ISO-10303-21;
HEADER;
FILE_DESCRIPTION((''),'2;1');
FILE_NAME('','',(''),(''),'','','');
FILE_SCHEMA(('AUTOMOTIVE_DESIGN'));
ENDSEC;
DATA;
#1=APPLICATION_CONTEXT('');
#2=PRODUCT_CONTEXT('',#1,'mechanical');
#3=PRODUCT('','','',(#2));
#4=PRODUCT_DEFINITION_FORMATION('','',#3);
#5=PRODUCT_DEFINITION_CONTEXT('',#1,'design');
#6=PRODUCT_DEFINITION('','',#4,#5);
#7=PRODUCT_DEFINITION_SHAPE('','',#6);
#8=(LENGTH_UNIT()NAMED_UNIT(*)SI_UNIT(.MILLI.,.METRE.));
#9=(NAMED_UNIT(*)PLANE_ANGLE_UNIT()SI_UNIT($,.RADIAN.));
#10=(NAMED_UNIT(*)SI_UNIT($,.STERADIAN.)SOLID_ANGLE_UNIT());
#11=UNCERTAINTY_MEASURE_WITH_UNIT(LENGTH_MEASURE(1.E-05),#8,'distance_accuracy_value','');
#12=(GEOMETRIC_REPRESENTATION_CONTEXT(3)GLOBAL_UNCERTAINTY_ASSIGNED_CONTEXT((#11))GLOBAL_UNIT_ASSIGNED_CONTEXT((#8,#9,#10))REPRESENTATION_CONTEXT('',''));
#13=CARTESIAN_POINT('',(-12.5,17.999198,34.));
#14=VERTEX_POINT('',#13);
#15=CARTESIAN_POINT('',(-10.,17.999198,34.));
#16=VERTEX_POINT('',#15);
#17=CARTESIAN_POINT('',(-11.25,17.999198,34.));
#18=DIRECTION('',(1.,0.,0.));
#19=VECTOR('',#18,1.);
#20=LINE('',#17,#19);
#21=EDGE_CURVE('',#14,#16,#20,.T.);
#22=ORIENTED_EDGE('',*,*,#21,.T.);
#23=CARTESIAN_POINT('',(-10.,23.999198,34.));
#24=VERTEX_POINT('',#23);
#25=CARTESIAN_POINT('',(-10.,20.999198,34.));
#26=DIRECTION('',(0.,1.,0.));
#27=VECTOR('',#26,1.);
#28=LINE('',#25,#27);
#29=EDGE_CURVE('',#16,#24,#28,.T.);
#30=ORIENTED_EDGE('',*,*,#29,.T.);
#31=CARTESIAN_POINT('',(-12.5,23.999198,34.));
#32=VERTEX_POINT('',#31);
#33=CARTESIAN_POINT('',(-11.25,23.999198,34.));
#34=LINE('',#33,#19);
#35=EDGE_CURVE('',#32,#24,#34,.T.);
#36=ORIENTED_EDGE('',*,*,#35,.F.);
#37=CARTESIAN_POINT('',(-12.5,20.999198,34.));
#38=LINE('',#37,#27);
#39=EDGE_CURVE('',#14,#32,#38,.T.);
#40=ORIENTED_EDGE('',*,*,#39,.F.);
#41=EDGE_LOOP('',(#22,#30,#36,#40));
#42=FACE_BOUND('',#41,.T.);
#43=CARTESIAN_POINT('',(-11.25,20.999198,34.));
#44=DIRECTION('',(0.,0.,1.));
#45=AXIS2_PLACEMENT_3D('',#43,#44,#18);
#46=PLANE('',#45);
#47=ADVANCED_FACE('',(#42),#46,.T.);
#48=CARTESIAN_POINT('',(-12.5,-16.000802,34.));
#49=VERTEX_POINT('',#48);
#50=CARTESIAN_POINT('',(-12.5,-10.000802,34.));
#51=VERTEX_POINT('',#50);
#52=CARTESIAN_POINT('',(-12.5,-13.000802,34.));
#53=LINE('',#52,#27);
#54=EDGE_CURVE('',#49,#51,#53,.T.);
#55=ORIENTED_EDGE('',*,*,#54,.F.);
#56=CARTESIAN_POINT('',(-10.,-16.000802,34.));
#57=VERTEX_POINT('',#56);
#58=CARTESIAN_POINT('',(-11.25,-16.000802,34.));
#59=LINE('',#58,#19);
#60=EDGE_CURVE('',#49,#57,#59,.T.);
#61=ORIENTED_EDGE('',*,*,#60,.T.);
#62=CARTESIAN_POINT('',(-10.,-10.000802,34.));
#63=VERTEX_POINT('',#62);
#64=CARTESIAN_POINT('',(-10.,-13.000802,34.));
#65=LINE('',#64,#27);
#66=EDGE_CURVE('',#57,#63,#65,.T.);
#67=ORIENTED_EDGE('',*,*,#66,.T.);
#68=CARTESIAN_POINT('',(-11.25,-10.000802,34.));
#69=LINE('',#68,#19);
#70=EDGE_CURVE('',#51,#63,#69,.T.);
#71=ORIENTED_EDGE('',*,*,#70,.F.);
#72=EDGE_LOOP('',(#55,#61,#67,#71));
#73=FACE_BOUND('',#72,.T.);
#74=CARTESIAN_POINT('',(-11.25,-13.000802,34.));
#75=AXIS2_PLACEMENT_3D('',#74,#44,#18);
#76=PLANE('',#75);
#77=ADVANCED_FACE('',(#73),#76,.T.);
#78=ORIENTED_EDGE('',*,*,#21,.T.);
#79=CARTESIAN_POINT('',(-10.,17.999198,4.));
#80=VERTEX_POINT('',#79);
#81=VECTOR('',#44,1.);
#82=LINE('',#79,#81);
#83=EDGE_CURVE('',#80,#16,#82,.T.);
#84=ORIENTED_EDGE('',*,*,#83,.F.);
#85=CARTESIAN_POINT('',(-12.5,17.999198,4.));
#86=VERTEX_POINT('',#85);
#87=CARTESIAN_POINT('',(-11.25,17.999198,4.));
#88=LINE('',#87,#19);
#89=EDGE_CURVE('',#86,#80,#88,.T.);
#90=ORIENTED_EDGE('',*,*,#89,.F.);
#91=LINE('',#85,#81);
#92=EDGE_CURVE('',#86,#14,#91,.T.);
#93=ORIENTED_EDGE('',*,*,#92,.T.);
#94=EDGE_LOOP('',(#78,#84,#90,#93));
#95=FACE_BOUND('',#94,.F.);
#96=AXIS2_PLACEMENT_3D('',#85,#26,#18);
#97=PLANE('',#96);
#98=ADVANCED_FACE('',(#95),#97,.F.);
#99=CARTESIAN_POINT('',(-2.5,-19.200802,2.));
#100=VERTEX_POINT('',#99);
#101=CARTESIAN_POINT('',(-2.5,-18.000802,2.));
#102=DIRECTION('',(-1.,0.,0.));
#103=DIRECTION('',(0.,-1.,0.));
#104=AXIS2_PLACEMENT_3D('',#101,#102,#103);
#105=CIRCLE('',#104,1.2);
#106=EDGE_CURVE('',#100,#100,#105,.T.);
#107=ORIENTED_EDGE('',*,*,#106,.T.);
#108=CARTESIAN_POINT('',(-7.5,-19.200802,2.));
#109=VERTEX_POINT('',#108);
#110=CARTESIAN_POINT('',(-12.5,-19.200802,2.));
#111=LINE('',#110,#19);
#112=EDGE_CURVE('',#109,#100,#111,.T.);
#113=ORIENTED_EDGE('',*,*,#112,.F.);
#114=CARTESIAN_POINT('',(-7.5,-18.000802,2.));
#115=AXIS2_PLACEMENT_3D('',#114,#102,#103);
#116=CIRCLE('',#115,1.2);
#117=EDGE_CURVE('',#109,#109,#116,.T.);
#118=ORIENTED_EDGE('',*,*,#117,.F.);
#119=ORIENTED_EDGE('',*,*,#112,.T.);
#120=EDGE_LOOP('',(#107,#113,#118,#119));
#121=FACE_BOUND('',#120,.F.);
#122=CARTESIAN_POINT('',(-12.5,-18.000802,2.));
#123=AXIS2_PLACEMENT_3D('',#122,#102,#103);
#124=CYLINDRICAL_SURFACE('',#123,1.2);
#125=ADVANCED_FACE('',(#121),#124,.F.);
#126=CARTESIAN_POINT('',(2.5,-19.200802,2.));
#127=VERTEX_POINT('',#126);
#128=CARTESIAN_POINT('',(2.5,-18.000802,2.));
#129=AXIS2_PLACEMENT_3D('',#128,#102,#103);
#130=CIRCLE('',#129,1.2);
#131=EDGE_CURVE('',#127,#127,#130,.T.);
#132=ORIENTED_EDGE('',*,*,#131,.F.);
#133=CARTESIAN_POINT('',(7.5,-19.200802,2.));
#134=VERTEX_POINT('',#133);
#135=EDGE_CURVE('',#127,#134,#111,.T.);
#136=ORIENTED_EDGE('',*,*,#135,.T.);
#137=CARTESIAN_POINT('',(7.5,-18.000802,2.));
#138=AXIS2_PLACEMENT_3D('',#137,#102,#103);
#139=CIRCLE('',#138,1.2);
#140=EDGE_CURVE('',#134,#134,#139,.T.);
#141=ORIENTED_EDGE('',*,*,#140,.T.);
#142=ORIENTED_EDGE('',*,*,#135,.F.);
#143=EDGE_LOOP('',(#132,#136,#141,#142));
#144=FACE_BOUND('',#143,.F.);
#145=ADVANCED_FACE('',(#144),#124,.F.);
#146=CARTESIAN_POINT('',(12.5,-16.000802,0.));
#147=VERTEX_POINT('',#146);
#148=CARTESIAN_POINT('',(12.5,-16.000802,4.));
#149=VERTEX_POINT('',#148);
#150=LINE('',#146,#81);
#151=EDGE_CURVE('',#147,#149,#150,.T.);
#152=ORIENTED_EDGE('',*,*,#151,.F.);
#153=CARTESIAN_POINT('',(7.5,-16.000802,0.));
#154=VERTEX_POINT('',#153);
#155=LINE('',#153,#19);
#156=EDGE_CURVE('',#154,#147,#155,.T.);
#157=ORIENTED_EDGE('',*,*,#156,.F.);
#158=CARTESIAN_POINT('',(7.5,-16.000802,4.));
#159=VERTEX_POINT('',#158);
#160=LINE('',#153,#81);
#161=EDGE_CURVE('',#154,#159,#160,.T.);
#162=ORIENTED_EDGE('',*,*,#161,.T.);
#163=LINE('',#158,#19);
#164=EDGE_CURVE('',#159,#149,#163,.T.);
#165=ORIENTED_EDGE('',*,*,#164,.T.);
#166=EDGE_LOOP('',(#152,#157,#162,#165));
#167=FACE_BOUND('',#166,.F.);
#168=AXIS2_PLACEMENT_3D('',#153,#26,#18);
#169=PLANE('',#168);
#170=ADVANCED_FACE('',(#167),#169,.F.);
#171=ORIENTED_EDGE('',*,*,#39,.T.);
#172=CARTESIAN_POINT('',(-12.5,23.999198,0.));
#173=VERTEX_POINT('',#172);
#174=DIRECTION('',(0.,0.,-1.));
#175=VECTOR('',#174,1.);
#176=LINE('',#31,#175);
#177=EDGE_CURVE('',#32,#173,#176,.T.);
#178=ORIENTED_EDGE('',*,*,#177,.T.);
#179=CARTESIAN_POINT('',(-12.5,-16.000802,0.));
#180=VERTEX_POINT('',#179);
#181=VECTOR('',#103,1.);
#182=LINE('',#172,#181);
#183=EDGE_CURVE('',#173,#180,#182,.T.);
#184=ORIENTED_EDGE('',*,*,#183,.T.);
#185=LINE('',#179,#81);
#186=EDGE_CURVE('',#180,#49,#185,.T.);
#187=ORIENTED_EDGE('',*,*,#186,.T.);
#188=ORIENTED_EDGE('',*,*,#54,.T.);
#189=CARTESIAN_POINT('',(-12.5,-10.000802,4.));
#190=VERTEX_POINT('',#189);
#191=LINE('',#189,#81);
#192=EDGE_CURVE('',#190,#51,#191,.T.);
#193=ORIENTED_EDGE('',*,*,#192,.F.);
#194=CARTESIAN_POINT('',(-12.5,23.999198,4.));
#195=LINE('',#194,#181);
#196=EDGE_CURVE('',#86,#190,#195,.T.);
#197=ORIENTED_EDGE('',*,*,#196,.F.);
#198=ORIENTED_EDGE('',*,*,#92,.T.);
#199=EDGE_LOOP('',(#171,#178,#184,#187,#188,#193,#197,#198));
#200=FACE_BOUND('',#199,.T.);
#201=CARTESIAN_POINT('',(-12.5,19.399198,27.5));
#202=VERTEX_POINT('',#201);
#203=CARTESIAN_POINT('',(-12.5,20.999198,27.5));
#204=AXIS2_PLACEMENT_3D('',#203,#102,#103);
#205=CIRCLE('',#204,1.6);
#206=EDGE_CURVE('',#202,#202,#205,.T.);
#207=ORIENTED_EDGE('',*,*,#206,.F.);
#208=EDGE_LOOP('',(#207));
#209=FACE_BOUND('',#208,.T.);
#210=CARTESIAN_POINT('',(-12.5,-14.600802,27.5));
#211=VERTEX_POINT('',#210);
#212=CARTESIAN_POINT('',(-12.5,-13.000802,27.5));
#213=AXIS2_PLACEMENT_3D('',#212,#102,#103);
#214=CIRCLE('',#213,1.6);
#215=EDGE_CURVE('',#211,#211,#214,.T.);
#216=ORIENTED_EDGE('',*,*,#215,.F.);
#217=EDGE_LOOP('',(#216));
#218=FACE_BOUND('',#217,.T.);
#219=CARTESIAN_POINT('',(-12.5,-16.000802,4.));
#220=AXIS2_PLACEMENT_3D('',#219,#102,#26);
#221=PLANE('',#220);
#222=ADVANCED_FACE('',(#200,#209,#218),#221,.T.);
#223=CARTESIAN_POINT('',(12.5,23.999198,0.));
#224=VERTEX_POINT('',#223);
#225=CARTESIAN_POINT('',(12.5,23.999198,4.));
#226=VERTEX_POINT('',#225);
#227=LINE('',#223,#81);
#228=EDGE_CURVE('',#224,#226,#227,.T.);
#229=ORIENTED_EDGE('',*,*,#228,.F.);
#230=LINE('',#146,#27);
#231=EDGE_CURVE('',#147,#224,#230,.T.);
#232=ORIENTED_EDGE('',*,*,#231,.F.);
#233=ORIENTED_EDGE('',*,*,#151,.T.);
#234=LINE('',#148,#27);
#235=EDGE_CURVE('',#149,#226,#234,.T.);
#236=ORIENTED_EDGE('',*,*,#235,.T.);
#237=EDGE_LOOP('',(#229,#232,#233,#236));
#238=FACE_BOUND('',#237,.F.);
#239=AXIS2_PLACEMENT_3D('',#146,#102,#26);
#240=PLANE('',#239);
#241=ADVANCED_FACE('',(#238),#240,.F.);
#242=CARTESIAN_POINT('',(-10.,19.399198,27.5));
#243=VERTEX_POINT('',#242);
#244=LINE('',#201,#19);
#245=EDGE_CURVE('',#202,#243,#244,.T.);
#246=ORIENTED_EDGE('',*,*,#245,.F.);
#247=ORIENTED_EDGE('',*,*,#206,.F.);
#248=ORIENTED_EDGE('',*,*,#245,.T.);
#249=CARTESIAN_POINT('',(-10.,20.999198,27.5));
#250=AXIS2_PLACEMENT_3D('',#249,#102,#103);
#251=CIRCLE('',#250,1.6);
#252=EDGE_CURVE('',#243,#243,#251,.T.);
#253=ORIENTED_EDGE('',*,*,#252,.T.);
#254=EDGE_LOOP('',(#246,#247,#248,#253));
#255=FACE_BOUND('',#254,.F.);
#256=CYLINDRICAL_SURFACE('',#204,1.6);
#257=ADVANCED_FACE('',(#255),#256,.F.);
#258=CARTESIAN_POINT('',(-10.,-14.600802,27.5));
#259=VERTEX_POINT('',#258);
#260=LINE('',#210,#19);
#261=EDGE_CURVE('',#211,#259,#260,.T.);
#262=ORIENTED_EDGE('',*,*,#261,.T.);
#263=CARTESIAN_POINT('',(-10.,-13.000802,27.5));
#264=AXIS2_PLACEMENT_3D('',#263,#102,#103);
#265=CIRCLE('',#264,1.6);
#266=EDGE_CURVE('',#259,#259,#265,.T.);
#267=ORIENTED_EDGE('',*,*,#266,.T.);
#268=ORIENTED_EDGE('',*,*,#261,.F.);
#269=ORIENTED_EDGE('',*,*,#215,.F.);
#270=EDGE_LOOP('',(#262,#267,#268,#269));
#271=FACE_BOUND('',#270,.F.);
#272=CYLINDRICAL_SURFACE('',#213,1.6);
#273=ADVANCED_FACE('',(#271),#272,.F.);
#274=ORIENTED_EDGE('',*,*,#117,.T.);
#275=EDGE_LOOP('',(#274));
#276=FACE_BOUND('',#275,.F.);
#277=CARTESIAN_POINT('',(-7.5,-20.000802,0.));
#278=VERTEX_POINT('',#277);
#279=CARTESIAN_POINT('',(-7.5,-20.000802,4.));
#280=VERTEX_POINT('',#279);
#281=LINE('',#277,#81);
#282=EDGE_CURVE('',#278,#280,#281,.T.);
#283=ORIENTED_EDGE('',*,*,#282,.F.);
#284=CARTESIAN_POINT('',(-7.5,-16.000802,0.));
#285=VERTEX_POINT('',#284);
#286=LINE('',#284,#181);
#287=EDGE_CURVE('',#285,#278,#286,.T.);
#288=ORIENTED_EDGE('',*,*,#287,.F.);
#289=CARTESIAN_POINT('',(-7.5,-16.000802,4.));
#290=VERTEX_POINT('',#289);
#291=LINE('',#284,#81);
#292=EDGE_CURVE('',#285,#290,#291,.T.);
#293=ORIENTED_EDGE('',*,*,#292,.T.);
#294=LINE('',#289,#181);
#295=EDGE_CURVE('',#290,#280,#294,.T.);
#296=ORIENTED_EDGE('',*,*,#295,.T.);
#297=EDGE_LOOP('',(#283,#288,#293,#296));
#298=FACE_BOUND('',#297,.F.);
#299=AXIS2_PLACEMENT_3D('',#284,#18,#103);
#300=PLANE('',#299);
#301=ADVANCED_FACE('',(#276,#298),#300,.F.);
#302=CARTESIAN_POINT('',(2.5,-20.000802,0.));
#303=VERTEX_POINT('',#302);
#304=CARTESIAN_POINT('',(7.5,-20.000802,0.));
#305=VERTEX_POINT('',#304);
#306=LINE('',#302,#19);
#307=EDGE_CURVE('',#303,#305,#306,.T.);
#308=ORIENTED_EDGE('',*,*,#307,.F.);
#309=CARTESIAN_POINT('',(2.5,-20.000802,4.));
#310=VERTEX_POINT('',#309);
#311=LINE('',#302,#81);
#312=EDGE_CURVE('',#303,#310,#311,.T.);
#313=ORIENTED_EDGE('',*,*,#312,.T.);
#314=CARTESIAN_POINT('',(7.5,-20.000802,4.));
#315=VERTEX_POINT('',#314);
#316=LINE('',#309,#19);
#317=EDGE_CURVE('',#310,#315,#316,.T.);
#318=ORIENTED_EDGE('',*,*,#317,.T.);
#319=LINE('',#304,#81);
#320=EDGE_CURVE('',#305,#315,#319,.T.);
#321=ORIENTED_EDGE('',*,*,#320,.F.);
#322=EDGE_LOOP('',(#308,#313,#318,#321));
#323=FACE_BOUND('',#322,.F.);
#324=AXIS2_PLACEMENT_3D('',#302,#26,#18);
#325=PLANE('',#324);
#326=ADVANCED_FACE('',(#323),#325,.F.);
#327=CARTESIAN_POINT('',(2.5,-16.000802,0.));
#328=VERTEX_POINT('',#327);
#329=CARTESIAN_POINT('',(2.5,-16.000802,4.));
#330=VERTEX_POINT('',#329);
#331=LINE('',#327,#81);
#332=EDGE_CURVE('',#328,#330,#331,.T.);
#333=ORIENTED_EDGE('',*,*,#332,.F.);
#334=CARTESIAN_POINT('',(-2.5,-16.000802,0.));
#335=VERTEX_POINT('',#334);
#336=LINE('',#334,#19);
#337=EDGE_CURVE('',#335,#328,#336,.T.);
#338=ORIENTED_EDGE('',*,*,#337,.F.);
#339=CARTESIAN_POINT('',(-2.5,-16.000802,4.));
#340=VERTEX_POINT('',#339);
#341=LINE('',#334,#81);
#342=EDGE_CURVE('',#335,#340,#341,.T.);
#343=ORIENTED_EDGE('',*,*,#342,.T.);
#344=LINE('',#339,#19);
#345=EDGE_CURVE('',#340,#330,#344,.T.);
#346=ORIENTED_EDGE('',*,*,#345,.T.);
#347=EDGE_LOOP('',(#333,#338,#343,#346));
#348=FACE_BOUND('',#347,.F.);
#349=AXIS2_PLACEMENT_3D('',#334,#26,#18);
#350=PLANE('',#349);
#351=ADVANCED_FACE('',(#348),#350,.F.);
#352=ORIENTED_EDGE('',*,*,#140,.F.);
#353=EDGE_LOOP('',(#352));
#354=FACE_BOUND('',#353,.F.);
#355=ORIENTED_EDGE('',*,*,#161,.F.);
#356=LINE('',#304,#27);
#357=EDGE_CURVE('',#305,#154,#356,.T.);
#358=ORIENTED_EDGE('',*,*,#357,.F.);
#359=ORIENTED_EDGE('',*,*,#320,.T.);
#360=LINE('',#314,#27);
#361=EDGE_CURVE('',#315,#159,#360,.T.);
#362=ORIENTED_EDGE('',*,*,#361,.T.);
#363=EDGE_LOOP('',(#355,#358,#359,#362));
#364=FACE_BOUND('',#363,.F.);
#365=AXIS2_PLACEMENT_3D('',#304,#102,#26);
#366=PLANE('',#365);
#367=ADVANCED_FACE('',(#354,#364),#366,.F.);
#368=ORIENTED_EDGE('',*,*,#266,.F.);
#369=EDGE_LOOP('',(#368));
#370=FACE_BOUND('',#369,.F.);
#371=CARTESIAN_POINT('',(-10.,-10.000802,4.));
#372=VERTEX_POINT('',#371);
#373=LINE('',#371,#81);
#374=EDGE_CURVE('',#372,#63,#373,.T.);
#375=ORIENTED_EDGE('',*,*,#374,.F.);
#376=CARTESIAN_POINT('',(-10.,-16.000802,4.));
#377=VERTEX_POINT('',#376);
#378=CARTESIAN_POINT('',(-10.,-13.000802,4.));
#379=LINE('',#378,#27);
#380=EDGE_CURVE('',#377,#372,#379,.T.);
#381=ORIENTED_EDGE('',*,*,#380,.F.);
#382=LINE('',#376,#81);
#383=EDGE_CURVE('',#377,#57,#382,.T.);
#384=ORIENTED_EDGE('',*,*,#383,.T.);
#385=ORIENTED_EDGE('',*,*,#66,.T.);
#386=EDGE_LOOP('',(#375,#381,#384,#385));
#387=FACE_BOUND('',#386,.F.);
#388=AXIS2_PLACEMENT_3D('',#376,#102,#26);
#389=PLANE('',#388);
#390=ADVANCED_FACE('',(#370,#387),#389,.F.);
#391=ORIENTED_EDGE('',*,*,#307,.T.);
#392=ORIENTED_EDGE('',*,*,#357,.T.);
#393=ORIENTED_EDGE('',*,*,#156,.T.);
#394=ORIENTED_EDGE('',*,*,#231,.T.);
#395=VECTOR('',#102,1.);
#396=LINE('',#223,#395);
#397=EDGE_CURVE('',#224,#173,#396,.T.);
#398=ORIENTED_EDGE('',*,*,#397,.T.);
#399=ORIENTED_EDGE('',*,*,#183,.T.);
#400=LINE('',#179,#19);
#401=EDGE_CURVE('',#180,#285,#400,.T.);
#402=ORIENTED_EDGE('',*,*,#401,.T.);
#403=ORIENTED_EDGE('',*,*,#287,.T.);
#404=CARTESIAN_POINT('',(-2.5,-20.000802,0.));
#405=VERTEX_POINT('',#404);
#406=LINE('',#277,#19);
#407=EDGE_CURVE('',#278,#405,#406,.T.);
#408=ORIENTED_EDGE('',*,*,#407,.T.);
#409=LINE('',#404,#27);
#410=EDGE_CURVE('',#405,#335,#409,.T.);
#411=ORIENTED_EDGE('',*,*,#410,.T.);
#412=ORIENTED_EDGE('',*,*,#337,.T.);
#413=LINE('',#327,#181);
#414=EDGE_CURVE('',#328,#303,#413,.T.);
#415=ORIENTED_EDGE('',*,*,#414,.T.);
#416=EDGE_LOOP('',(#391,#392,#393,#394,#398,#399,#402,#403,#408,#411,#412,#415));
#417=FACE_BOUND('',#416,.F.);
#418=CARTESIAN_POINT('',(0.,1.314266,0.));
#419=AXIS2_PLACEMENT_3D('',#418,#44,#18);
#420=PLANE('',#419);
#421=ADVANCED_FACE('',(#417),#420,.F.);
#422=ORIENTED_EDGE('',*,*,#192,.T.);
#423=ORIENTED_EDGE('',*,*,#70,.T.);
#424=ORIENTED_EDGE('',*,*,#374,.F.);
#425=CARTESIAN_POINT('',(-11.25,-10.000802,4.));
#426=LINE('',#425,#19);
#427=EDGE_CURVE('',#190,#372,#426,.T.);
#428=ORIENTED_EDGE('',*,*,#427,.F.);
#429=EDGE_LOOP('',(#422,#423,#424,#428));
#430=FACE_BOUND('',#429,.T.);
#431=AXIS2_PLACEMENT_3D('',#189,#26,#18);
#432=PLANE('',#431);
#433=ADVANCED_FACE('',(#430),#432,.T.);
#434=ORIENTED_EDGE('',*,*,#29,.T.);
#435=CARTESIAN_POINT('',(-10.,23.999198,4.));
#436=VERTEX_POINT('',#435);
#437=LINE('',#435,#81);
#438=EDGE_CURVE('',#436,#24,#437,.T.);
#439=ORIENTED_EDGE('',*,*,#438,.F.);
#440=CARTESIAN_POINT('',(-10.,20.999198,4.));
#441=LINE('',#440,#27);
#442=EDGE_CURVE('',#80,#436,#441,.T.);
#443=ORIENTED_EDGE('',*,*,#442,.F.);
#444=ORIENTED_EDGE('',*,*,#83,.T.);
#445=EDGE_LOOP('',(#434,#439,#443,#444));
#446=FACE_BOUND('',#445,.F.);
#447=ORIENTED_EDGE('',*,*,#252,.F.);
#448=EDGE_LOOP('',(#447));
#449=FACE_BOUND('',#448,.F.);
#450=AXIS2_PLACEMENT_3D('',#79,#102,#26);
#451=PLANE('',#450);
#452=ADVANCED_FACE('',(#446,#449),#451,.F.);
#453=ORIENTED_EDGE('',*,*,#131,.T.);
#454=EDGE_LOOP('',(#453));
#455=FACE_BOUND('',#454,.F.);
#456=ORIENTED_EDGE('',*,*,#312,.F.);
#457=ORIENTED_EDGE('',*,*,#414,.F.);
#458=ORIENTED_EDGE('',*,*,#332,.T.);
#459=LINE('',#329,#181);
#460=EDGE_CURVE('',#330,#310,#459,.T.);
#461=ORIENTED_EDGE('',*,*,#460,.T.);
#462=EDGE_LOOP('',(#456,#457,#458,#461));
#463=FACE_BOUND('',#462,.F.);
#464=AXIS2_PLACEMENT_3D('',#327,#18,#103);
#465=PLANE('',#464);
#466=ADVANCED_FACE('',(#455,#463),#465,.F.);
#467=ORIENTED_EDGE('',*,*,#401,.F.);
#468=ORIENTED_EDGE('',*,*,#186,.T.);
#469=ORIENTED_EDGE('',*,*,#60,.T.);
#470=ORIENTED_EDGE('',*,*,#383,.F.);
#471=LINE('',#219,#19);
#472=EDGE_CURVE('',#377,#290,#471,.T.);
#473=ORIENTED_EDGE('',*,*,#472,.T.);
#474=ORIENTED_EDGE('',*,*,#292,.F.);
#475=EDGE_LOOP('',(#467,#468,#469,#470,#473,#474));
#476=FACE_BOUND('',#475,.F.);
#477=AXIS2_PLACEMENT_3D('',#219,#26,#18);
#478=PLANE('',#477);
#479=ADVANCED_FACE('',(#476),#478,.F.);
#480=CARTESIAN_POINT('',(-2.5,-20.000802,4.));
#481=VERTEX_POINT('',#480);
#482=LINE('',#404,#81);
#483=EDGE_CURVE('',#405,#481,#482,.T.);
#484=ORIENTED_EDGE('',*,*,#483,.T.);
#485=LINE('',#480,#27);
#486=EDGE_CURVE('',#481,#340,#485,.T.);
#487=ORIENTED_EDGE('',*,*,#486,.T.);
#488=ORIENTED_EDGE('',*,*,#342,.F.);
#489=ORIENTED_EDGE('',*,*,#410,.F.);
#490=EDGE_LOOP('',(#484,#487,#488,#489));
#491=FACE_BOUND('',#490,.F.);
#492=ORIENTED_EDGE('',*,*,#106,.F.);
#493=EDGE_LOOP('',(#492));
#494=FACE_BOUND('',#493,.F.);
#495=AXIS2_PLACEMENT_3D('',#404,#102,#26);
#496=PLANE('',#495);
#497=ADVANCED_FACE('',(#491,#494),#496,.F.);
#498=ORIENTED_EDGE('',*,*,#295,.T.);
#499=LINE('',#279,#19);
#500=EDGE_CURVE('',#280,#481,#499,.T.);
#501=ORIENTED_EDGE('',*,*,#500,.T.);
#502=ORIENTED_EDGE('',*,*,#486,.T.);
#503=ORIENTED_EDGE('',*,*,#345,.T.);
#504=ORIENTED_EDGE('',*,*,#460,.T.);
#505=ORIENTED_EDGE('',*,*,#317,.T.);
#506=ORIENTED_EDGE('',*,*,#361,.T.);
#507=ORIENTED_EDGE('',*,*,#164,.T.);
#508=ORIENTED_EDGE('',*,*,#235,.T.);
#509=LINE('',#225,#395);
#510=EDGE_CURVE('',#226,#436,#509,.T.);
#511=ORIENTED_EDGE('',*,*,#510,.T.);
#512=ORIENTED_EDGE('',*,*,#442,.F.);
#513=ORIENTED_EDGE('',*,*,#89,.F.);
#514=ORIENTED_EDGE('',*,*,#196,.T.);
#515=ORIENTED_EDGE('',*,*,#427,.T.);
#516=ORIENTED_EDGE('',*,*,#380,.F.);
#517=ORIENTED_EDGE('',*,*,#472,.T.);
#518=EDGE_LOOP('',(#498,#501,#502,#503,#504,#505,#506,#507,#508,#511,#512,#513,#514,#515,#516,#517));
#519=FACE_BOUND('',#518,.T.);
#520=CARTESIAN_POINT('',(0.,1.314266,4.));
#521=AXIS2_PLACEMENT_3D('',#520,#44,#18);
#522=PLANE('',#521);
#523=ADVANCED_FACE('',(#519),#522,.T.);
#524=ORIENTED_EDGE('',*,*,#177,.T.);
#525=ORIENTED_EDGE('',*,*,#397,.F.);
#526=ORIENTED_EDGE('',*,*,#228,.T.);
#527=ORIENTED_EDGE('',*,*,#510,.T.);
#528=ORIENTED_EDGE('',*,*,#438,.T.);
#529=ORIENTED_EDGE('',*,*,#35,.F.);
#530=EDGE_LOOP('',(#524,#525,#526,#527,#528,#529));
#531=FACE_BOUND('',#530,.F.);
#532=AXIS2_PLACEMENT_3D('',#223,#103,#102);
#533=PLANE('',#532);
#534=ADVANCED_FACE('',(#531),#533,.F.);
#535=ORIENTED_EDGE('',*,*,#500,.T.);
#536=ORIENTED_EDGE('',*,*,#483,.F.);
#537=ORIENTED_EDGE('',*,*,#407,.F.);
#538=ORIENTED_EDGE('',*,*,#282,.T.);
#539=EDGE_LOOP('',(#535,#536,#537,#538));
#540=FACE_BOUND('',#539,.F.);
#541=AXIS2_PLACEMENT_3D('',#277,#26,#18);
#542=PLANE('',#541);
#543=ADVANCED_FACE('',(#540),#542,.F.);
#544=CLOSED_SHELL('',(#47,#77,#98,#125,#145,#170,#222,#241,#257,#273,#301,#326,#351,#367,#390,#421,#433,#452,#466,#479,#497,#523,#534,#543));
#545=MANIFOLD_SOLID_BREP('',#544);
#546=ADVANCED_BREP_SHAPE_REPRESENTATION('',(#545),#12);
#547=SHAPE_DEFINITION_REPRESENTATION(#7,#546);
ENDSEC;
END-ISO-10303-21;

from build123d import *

# Parameters (mm, degrees)
PAD_DEPTH     = 4
SKETCH001_W   = 2.5
SKETCH001_H   = 6
PAD001_DEPTH  = 30
SKETCH002_R   = 1.2
SKETCH002_R_2 = 1.6
POCKET_DEPTH  = 25.001


with BuildPart() as part:
    # Sketch → Pad (new body)
    with BuildSketch(Plane.XY):
        Polygon((-7.5, -20.000802), (-2.5, -20.000802), (-2.5, -16.000802), (2.5, -16.000802), (2.5, -20.000802), (7.5, -20.000802), (7.5, -16.000802), (12.5, -16.000802), (12.5, 23.999198), (-12.5, 23.999198), (-12.5, -16.000802), (-7.5, -16.000802), align=None)
    extrude(amount=PAD_DEPTH)

    # Sketch001 → Pad001 (new body)
    with BuildSketch(Plane.XY.offset(4)):
        with Locations((-11.25, -13.000802)):
            Rectangle(SKETCH001_W, SKETCH001_H)
        with Locations((-11.25, 20.999198)):
            Rectangle(SKETCH001_W, SKETCH001_H)
    extrude(amount=PAD001_DEPTH)

    # Sketch002 → Pocket (cut, through all)
    with BuildSketch(Plane(origin=(-12.5, 0, 0), x_dir=(0, -1, 0), z_dir=(-1, 0, 0))):
        with Locations((18.000802, 2)):
            Circle(SKETCH002_R)
        with Locations((13.000802, 27.5)):
            Circle(SKETCH002_R_2)
        with Locations((-20.999198, 27.5)):
            Circle(SKETCH002_R_2)
    extrude(amount=-POCKET_DEPTH, mode=Mode.SUBTRACT)


solid = part.part
